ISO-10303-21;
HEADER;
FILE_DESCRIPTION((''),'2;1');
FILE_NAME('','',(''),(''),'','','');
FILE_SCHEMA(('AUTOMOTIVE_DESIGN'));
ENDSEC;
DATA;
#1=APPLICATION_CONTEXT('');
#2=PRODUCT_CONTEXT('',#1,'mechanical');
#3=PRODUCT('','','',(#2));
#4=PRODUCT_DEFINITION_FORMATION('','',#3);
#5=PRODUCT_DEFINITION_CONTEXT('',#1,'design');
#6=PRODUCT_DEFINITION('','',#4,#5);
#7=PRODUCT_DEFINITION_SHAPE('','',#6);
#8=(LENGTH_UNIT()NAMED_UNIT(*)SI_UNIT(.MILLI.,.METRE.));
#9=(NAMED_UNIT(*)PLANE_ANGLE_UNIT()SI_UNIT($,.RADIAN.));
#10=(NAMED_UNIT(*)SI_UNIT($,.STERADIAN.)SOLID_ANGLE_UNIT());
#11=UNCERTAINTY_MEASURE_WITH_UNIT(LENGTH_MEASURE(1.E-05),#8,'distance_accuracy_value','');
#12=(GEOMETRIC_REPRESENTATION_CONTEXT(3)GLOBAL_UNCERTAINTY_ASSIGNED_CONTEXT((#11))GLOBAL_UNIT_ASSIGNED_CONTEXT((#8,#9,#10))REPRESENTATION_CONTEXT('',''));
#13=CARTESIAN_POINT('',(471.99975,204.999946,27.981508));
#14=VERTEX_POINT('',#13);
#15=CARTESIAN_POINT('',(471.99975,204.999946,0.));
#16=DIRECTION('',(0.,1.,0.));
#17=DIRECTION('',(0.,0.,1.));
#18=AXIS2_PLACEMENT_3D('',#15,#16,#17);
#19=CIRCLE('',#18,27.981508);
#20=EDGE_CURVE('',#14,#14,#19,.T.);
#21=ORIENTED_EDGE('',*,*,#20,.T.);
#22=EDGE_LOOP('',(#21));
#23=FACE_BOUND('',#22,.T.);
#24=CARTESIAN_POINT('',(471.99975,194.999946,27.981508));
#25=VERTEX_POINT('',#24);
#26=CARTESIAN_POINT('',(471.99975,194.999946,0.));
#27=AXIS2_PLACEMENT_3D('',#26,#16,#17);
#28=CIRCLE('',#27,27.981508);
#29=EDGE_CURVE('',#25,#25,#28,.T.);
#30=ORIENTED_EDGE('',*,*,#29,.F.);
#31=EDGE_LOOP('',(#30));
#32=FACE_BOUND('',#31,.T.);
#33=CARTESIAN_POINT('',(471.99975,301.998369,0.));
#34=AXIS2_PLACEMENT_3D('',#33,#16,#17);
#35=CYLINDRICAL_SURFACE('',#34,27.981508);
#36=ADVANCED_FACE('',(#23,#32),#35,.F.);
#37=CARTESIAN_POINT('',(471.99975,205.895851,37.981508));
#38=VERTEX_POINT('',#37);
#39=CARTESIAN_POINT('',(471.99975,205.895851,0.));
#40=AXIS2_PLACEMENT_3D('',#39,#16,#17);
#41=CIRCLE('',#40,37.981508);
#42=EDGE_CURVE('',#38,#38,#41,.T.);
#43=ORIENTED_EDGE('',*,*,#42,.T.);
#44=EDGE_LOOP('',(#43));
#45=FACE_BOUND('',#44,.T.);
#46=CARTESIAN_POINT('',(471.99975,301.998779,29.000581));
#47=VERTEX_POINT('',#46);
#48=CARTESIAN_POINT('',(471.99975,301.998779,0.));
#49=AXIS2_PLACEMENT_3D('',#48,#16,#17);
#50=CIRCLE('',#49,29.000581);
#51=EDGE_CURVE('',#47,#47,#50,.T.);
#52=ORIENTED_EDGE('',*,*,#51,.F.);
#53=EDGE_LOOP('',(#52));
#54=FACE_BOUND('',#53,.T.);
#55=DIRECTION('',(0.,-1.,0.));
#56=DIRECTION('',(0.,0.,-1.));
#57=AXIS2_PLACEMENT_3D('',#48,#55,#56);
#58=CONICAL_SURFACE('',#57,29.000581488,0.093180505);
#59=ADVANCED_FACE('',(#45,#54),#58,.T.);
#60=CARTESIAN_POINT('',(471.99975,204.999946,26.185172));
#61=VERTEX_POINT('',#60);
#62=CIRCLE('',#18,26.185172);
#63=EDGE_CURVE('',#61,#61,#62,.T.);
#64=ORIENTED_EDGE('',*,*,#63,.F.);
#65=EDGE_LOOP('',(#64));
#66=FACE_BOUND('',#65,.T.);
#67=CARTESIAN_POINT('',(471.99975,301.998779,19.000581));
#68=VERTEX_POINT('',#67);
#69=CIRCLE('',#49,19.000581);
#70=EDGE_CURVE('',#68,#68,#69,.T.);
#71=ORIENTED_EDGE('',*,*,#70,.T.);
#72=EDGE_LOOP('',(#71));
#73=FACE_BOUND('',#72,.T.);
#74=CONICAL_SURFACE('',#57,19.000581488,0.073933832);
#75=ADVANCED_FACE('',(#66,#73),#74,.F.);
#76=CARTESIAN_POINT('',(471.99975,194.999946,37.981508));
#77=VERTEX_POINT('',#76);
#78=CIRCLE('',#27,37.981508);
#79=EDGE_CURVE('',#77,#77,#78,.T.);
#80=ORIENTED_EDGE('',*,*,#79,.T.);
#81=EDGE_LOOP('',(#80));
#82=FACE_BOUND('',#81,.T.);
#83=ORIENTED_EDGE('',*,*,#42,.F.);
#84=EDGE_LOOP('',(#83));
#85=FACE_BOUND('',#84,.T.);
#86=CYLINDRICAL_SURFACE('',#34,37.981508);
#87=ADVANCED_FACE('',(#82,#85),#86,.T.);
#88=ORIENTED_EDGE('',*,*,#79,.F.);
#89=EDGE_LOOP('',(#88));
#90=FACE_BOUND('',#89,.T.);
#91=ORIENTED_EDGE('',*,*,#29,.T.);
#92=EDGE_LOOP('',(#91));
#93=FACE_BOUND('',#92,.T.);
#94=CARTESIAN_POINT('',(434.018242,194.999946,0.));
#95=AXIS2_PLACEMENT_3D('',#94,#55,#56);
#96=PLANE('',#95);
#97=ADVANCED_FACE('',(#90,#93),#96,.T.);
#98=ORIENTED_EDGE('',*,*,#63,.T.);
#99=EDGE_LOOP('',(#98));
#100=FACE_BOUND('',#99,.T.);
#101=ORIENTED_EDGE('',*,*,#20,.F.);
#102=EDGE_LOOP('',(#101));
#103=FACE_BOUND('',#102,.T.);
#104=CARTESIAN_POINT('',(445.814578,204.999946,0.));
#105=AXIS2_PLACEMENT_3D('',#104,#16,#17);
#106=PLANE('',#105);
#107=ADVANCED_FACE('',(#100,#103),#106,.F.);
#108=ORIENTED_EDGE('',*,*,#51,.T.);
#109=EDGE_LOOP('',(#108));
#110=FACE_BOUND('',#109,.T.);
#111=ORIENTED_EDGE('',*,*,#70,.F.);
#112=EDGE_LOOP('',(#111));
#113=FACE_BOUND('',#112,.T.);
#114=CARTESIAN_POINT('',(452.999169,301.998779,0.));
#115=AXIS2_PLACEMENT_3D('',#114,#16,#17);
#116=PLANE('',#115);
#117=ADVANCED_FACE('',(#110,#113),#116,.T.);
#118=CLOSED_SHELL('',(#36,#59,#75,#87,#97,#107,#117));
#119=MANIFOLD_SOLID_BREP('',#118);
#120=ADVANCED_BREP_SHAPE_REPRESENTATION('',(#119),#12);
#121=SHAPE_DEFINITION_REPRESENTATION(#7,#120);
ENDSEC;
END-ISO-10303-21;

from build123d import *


with BuildPart() as part:
    # Sketch1 → Revolve2 (revolve)
    with BuildSketch(Plane.XY, mode=Mode.PRIVATE) as revolve2_sk:
        Polygon((434.018241684, 194.999945769), (444.018241684, 194.999945769), (444.018241684, 204.99994577), (445.814577674, 204.99994577), (452.99916868, 301.99877873), (442.99916868, 301.99877873), (434.018241684, 205.895851075), align=None)
    revolve(revolve2_sk.sketch.rotate(Axis((471.999750168, 301.998369033, 0), (0, -1, 0)), 270), axis=Axis((471.999750168, 301.998369033, 0), (0, -1, 0)))


solid = part.part
